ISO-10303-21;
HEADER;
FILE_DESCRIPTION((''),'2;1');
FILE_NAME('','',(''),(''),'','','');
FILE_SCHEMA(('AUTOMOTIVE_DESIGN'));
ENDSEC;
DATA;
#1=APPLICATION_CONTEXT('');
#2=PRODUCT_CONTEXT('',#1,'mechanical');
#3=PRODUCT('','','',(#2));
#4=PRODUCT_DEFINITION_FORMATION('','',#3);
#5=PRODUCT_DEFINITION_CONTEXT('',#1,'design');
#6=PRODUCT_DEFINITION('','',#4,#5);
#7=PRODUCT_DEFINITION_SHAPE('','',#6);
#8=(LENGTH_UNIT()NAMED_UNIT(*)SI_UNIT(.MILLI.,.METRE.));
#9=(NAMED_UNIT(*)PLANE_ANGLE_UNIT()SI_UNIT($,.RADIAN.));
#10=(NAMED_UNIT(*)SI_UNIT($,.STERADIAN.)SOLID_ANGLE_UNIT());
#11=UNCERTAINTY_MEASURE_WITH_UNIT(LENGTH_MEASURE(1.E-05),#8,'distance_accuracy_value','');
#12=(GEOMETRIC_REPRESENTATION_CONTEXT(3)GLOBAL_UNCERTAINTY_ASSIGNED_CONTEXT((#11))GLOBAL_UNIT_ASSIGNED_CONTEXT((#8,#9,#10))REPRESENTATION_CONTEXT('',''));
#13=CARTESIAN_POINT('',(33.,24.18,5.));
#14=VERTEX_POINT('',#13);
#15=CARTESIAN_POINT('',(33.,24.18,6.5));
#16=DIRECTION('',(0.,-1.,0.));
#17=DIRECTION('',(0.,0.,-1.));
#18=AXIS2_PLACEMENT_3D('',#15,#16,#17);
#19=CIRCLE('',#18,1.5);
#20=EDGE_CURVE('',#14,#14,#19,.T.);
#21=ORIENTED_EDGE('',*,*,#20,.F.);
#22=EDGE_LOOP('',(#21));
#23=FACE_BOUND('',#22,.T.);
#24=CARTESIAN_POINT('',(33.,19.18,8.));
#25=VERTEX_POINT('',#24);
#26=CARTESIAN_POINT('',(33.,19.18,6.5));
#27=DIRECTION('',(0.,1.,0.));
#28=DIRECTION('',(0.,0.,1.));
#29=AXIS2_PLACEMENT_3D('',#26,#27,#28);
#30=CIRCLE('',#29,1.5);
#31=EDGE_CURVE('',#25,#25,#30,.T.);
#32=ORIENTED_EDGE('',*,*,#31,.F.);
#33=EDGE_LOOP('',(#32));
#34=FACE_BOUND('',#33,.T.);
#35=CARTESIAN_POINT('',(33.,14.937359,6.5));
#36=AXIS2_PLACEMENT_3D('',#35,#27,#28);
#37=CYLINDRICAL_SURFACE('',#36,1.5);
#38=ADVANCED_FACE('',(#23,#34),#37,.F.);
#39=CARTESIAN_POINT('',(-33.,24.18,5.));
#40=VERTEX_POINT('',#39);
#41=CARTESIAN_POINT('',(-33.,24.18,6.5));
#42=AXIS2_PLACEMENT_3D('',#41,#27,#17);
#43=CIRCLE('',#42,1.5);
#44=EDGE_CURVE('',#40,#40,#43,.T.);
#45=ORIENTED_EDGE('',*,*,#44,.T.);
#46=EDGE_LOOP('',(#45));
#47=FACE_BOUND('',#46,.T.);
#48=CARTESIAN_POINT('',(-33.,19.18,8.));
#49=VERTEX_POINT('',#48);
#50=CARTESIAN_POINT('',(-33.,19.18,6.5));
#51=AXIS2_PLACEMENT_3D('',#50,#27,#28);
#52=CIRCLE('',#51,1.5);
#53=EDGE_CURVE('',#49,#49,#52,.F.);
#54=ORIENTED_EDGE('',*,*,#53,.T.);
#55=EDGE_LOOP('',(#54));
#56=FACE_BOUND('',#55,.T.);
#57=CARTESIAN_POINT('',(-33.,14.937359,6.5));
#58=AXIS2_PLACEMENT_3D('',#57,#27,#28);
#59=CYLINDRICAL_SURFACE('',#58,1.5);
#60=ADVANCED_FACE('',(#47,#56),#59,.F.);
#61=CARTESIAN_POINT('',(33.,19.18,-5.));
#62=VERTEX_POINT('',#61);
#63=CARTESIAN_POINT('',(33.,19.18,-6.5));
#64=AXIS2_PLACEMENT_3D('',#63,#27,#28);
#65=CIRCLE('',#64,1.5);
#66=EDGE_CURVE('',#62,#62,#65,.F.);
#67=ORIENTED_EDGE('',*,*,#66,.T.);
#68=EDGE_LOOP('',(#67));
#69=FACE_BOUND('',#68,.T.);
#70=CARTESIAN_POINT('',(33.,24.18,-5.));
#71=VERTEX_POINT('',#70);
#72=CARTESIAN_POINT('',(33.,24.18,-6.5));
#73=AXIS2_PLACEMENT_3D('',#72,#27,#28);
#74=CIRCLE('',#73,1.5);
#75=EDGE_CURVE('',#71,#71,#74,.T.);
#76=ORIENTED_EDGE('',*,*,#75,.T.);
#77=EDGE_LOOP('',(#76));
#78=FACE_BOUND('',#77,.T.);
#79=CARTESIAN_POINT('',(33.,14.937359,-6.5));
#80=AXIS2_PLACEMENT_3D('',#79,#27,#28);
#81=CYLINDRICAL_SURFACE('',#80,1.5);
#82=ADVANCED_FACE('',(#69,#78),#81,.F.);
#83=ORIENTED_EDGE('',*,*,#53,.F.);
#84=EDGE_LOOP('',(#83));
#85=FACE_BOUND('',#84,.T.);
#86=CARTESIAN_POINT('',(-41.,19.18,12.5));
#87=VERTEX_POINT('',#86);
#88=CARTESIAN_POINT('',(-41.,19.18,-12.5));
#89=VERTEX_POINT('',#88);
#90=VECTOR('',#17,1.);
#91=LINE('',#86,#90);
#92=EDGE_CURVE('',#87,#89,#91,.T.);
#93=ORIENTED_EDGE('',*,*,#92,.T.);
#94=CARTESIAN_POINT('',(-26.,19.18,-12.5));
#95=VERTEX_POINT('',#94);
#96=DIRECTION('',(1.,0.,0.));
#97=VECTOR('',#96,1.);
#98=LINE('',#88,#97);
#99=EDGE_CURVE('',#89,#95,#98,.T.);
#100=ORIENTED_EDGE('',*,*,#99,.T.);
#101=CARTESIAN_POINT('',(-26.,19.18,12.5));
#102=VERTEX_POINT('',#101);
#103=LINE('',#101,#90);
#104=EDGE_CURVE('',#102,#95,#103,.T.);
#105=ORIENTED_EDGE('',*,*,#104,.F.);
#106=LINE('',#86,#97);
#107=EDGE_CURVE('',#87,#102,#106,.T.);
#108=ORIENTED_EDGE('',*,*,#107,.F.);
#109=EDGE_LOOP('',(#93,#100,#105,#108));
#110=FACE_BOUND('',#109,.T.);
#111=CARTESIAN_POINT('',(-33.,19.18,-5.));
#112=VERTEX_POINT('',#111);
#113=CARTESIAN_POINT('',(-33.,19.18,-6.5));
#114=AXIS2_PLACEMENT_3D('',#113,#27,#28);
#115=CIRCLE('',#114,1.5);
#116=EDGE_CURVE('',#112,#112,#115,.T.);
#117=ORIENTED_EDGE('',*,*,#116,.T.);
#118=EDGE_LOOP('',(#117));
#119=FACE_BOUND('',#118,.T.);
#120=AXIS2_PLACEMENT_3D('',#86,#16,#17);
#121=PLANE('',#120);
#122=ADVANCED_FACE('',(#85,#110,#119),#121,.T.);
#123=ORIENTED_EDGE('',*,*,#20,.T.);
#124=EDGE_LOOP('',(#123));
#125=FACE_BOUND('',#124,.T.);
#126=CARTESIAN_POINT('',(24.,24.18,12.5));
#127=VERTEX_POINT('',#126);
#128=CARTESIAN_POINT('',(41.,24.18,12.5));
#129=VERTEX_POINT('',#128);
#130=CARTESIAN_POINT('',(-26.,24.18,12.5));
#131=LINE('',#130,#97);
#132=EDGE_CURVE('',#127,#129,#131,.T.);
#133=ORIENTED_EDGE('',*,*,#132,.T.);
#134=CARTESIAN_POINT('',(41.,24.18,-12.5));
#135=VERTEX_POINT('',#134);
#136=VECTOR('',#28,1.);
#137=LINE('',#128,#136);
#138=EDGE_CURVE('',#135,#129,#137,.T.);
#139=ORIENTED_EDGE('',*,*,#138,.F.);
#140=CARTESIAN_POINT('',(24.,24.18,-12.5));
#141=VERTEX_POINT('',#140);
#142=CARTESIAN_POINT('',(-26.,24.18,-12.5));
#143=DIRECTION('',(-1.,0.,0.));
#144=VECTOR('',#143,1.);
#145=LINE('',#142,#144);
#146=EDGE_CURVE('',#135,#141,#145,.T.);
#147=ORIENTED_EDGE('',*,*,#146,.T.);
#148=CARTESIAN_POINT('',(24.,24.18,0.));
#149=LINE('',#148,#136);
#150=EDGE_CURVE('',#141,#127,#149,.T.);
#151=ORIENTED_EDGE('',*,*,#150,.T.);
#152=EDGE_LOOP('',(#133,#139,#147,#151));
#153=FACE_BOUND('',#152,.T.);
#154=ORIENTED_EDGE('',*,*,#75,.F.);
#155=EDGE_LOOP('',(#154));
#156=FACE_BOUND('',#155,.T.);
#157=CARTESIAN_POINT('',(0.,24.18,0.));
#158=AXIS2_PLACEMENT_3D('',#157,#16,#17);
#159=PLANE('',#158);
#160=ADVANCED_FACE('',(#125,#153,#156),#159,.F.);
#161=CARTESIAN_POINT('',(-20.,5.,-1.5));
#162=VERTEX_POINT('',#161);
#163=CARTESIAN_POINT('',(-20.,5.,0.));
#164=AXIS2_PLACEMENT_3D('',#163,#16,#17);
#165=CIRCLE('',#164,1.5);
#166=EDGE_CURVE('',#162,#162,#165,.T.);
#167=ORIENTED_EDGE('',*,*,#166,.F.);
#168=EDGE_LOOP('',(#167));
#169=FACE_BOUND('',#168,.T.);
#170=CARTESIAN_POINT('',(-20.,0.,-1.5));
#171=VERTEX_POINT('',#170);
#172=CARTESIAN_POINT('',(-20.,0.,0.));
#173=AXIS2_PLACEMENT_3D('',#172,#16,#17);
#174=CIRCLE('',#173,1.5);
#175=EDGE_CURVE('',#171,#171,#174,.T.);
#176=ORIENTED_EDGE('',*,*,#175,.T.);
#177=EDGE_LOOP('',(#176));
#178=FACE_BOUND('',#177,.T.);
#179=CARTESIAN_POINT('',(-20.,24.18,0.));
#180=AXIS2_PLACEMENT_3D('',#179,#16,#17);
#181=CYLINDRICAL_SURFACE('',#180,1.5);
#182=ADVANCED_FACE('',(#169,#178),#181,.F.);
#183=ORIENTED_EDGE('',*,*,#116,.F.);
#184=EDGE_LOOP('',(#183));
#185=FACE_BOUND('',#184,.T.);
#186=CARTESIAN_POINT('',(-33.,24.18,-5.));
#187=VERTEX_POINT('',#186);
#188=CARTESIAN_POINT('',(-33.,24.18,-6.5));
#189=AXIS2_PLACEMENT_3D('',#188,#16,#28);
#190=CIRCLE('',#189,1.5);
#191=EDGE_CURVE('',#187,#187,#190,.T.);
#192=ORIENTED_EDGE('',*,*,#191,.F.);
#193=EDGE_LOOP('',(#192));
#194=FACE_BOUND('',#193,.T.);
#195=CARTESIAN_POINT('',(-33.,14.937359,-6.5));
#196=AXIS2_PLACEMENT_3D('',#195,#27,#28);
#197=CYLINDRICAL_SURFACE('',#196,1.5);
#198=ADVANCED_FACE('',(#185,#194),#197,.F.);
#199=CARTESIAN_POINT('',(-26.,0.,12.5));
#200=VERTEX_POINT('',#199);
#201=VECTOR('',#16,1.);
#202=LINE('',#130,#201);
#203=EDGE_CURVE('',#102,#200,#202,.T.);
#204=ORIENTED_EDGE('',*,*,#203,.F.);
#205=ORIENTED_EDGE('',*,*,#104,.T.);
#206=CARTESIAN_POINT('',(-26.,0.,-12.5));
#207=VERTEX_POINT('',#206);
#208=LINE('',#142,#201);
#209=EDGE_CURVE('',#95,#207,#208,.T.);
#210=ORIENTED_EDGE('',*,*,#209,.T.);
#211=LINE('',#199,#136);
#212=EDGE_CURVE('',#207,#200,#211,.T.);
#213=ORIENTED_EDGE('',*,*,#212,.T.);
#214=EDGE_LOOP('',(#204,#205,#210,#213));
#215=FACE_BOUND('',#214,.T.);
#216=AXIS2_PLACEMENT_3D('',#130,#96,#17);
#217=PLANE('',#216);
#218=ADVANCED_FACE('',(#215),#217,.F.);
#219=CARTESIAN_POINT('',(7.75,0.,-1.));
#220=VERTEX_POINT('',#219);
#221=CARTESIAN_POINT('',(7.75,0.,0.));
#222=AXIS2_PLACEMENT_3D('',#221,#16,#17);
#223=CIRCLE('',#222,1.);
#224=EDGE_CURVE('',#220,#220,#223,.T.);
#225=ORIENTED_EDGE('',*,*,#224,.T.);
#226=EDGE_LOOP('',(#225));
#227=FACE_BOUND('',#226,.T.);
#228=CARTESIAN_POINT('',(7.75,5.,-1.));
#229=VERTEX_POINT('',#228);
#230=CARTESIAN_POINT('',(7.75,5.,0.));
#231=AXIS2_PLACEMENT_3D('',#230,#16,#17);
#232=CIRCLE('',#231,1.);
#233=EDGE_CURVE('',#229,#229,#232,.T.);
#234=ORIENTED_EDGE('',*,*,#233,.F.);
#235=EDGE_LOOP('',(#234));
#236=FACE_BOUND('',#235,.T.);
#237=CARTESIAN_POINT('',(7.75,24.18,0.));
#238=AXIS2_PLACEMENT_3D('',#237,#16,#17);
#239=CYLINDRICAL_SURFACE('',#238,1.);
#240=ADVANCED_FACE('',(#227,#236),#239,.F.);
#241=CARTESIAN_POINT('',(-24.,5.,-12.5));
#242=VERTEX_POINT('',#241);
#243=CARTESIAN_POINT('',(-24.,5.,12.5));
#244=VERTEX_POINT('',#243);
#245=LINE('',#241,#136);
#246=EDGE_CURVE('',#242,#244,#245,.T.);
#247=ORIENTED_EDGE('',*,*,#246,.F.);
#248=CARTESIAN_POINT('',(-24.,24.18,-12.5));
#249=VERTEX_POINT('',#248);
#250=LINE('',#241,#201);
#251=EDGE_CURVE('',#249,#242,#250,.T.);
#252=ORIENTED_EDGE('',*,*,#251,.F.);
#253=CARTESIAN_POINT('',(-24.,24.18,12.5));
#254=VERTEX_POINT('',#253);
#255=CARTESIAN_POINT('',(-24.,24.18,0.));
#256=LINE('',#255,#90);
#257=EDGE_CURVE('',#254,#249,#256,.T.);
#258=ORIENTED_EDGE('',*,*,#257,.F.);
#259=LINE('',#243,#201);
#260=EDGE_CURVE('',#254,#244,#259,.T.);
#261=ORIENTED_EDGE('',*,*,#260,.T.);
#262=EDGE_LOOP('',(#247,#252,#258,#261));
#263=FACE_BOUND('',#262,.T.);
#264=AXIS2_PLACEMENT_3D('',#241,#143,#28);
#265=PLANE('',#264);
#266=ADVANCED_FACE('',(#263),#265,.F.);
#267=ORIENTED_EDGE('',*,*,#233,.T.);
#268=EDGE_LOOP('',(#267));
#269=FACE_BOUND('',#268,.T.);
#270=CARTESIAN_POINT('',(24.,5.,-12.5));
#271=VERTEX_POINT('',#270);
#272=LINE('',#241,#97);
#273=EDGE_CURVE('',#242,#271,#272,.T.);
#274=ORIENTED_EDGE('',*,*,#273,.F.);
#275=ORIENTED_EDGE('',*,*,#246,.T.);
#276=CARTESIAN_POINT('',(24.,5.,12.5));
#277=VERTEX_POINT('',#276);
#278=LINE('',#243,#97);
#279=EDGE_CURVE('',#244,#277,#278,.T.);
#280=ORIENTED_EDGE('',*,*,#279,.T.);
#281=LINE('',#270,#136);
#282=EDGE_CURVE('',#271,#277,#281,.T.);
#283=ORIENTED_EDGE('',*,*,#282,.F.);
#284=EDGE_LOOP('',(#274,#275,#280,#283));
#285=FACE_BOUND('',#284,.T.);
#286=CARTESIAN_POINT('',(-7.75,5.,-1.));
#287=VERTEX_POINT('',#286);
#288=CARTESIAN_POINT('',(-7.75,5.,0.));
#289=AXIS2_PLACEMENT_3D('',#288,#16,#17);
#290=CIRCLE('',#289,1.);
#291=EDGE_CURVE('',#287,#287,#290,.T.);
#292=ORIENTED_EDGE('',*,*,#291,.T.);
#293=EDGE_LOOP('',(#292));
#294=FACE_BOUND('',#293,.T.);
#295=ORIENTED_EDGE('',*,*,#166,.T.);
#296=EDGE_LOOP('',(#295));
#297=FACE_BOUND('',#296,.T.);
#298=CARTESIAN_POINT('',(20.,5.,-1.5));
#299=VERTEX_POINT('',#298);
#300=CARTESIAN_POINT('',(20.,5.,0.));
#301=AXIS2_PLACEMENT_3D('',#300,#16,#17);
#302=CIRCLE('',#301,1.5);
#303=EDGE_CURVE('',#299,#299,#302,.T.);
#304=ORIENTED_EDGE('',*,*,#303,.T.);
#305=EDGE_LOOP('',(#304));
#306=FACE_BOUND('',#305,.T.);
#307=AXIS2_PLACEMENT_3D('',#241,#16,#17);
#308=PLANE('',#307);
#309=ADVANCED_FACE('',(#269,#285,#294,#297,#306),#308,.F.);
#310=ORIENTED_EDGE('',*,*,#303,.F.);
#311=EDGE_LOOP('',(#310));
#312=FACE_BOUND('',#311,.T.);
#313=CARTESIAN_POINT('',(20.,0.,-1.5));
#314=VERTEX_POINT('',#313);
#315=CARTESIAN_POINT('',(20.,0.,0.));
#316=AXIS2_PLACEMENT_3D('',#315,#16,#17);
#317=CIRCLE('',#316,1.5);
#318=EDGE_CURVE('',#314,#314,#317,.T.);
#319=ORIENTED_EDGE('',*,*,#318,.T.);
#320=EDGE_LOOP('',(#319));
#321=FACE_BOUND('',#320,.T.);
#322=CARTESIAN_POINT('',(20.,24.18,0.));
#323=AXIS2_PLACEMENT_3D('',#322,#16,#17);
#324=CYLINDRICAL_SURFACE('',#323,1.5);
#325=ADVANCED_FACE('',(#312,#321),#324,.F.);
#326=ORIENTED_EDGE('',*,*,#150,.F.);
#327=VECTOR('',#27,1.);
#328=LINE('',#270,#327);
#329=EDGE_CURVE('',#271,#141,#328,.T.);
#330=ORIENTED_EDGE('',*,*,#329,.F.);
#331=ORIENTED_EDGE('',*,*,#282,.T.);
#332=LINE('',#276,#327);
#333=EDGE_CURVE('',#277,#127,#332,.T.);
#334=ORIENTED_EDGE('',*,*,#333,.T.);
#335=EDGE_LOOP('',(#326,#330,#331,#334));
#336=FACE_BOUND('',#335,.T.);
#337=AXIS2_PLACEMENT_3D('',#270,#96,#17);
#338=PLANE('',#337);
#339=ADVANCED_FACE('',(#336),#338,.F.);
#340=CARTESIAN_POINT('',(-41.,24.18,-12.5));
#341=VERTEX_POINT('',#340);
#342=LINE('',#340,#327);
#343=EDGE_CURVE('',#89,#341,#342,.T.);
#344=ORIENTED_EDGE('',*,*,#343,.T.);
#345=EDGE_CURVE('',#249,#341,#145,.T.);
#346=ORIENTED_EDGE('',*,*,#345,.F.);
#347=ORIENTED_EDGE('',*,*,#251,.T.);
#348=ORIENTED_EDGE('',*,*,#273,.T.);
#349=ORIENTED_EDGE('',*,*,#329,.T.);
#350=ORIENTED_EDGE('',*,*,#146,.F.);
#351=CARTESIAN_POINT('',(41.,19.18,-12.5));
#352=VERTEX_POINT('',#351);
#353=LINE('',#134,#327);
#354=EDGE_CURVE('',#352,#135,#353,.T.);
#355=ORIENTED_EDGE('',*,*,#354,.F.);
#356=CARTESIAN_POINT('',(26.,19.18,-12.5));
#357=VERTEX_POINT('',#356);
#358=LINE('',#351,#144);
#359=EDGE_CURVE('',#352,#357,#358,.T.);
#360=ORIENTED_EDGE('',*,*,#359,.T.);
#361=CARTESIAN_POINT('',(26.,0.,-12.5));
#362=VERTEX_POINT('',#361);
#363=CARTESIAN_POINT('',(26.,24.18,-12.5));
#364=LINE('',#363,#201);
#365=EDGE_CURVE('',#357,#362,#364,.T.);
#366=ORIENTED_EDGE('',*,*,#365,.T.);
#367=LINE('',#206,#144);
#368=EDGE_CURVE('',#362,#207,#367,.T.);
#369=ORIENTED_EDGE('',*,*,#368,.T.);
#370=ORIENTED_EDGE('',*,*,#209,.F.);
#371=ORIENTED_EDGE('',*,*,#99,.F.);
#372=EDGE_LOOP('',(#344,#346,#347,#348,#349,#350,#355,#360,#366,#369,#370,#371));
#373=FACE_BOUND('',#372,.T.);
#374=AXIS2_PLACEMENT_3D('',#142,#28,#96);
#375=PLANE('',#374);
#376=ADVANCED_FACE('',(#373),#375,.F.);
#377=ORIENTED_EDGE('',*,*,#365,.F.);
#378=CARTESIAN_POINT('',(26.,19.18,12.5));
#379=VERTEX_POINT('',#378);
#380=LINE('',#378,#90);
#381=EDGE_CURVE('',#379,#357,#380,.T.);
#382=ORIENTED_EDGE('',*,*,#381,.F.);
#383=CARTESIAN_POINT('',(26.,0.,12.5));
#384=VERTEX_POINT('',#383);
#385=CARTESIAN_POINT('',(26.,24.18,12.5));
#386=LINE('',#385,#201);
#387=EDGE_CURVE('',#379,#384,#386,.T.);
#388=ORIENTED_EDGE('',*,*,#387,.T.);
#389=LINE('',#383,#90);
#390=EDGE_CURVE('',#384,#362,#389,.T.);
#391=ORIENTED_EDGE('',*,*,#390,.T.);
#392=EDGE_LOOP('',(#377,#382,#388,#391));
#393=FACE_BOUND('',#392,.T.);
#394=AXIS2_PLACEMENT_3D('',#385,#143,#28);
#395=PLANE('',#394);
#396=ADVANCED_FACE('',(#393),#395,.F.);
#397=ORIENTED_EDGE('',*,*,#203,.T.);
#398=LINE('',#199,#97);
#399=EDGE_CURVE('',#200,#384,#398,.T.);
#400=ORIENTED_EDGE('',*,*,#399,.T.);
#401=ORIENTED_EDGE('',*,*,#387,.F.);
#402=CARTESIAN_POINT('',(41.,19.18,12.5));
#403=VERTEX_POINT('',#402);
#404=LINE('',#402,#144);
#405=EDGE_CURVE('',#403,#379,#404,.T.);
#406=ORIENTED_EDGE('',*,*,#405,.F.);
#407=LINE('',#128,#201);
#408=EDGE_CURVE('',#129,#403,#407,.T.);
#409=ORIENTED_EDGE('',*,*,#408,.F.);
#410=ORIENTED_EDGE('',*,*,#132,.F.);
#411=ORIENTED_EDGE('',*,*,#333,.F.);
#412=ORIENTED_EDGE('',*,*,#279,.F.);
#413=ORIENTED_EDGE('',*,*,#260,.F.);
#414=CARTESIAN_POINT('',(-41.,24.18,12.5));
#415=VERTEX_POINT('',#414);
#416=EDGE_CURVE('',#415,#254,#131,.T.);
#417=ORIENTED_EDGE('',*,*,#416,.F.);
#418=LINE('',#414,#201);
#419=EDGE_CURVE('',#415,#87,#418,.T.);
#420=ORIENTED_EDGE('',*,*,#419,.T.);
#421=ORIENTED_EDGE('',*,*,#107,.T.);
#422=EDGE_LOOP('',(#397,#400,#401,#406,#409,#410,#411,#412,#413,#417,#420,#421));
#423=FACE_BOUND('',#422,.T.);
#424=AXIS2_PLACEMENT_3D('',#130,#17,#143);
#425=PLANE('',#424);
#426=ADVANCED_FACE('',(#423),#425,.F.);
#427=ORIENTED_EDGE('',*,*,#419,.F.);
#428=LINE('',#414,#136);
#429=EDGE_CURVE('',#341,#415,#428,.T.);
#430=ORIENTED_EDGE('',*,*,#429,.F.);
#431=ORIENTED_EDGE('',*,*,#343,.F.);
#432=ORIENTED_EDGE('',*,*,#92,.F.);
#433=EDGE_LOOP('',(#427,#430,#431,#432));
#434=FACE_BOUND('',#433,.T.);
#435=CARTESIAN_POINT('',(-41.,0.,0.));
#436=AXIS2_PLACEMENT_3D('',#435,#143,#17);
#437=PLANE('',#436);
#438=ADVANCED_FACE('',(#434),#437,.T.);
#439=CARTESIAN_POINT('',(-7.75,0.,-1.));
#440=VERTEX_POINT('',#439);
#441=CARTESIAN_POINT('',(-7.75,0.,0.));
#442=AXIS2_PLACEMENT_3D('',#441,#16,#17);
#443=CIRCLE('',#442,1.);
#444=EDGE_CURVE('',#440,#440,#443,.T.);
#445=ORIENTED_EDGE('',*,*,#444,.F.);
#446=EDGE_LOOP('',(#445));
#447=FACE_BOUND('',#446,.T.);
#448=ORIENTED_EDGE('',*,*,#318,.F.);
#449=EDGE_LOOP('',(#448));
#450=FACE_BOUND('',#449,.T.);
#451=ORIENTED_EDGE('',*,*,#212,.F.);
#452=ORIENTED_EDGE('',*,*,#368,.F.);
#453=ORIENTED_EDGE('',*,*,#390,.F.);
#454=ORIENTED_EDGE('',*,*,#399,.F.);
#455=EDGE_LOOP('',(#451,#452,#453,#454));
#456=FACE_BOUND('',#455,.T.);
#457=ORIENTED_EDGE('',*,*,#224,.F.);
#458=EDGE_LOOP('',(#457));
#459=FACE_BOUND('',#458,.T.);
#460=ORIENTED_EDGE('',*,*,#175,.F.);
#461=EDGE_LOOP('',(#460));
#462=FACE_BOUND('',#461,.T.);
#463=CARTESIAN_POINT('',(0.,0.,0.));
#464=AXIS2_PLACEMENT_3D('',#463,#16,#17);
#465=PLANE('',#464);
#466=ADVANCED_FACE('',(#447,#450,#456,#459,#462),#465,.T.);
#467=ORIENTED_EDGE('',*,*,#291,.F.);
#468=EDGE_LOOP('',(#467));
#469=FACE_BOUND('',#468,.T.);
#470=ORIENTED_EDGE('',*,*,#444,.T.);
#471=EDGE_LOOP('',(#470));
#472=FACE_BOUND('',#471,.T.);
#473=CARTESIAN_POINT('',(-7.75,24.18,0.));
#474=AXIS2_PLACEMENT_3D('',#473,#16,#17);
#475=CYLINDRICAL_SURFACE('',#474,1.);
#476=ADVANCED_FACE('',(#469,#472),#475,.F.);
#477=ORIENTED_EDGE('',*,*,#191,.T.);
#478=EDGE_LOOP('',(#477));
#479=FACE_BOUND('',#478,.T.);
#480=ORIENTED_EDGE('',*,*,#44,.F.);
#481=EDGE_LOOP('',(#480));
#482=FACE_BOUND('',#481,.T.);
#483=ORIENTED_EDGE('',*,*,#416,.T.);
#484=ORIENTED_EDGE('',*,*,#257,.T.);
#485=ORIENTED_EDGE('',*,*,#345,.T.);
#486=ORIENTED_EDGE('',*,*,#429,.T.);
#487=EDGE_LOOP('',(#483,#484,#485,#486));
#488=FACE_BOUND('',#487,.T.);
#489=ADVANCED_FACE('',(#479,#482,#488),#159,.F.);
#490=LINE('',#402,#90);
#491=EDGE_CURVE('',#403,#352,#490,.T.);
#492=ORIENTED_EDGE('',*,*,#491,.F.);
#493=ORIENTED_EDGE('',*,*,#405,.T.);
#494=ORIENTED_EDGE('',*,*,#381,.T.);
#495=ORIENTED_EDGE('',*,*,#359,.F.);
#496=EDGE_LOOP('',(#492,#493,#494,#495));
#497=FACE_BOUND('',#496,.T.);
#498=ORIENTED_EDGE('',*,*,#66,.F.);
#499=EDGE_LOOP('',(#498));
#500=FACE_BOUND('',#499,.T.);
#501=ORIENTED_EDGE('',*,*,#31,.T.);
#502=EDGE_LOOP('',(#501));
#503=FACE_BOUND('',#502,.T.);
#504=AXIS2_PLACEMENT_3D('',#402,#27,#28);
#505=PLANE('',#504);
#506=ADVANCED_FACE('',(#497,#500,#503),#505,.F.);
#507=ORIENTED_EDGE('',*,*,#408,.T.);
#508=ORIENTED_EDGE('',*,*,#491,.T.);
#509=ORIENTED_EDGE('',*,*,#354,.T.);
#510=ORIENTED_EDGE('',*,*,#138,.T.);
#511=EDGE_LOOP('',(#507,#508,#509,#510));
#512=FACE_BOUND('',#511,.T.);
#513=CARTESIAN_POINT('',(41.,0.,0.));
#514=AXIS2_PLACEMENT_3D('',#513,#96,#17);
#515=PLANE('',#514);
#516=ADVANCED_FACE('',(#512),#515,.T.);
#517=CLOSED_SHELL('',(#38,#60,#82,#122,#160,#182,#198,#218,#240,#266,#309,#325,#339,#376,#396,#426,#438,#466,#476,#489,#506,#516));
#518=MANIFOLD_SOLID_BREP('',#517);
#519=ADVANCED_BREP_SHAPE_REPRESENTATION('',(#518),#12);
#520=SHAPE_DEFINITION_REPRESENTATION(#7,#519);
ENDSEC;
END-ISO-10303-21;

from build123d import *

# Parameters (mm, degrees)
SKETCH1_W               = 52
SKETCH1_H               = 25
BOSS_EXTRUDE1_DEPTH     = 24.18
SKETCH4_W               = 48
SKETCH4_H               = 21.11598097
CUT_EXTRUDE1_DEPTH      = 25
SKETCH6_R               = 1
SKETCH6_R_2             = 1.5
CUT_EXTRUDE5_DEPTH      = 24.18
SKETCH8_W               = 25
SKETCH8_H               = 5
BOSS_EXTRUDE2_DEPTH     = 15
SKETCH9_R               = 1.5
CUT_EXTRUDE7_DEPTH      = 5
MIRROR4_COPY_1_SKETCH_R = 1.5
MIRROR4_COPY_1_DEPTH    = 5


with BuildPart() as part:
    # Sketch1 → Boss-Extrude1 (new body)
    with BuildSketch(Plane(origin=(0, 0, 0), x_dir=(1, 0, 0), z_dir=(0, 1, 0))):
        Rectangle(SKETCH1_W, SKETCH1_H)
    extrude(amount=BOSS_EXTRUDE1_DEPTH)

    # Sketch4 → Cut-Extrude1 (cut)
    with BuildSketch(Plane.XY.offset(12.5)):
        with Locations((0, 15.557990485)):
            Rectangle(SKETCH4_W, SKETCH4_H)
    extrude(amount=-CUT_EXTRUDE1_DEPTH, mode=Mode.SUBTRACT)

    # Sketch6 → Cut-Extrude5 (cut)
    with BuildSketch(Plane.XZ):
        with Locations(Location((-7.75, 0, 0), (0, 0, 270))):
            Circle(SKETCH6_R)
        with Locations(Location((-20, 0, 0), (0, 0, 270))):
            Circle(SKETCH6_R_2)
        with Locations(Location((7.75, 0, 0), (0, 0, 270))):
            Circle(SKETCH6_R)
        with Locations(Location((20, 0, 0), (0, 0, 270))):
            Circle(SKETCH6_R_2)
    extrude(amount=-CUT_EXTRUDE5_DEPTH, mode=Mode.SUBTRACT)

    # Sketch8 → Boss-Extrude2 (add)
    with BuildSketch(Plane(origin=(26, 0, 0), x_dir=(0, 0, -1), z_dir=(1, 0, 0))):
        with Locations((0, 21.68)):
            Rectangle(SKETCH8_W, SKETCH8_H)
    boss_extrude2 = extrude(amount=BOSS_EXTRUDE2_DEPTH)

    # Sketch9 → Cut-Extrude7 (cut)
    with BuildSketch(Plane(origin=(0, 24.18, 0), x_dir=(1, 0, 0), z_dir=(0, 1, 0))):
        with Locations(Location((33, 6.5, 0), (0, 0, 270))):
            Circle(SKETCH9_R)
    cut_extrude7 = extrude(amount=-CUT_EXTRUDE7_DEPTH, mode=Mode.SUBTRACT)

    # Mirror3: Cut-Extrude7 across plane
    add(cut_extrude7.mirror(Plane.XY), mode=Mode.SUBTRACT)

    # Mirror4: Boss-Extrude2, Cut-Extrude7 across plane
    add(boss_extrude2.mirror(Plane(origin=(0, 0, 0), x_dir=(0, 0, 1), z_dir=(1, 0, 0))))
    add(cut_extrude7.mirror(Plane(origin=(0, 0, 0), x_dir=(0, 0, 1), z_dir=(1, 0, 0))), mode=Mode.SUBTRACT)

    # Mirror4 copy 1 sketch → Mirror4 copy 1 (cut)
    with BuildSketch(Plane(origin=(0, 24.18, 0), x_dir=(-1, 0, 0), z_dir=(0, 1, 0))):
        with Locations(Location((33, 6.5, 0), (0, 0, 270))):
            Circle(MIRROR4_COPY_1_SKETCH_R)
    extrude(amount=-MIRROR4_COPY_1_DEPTH, mode=Mode.SUBTRACT)


solid = part.part
